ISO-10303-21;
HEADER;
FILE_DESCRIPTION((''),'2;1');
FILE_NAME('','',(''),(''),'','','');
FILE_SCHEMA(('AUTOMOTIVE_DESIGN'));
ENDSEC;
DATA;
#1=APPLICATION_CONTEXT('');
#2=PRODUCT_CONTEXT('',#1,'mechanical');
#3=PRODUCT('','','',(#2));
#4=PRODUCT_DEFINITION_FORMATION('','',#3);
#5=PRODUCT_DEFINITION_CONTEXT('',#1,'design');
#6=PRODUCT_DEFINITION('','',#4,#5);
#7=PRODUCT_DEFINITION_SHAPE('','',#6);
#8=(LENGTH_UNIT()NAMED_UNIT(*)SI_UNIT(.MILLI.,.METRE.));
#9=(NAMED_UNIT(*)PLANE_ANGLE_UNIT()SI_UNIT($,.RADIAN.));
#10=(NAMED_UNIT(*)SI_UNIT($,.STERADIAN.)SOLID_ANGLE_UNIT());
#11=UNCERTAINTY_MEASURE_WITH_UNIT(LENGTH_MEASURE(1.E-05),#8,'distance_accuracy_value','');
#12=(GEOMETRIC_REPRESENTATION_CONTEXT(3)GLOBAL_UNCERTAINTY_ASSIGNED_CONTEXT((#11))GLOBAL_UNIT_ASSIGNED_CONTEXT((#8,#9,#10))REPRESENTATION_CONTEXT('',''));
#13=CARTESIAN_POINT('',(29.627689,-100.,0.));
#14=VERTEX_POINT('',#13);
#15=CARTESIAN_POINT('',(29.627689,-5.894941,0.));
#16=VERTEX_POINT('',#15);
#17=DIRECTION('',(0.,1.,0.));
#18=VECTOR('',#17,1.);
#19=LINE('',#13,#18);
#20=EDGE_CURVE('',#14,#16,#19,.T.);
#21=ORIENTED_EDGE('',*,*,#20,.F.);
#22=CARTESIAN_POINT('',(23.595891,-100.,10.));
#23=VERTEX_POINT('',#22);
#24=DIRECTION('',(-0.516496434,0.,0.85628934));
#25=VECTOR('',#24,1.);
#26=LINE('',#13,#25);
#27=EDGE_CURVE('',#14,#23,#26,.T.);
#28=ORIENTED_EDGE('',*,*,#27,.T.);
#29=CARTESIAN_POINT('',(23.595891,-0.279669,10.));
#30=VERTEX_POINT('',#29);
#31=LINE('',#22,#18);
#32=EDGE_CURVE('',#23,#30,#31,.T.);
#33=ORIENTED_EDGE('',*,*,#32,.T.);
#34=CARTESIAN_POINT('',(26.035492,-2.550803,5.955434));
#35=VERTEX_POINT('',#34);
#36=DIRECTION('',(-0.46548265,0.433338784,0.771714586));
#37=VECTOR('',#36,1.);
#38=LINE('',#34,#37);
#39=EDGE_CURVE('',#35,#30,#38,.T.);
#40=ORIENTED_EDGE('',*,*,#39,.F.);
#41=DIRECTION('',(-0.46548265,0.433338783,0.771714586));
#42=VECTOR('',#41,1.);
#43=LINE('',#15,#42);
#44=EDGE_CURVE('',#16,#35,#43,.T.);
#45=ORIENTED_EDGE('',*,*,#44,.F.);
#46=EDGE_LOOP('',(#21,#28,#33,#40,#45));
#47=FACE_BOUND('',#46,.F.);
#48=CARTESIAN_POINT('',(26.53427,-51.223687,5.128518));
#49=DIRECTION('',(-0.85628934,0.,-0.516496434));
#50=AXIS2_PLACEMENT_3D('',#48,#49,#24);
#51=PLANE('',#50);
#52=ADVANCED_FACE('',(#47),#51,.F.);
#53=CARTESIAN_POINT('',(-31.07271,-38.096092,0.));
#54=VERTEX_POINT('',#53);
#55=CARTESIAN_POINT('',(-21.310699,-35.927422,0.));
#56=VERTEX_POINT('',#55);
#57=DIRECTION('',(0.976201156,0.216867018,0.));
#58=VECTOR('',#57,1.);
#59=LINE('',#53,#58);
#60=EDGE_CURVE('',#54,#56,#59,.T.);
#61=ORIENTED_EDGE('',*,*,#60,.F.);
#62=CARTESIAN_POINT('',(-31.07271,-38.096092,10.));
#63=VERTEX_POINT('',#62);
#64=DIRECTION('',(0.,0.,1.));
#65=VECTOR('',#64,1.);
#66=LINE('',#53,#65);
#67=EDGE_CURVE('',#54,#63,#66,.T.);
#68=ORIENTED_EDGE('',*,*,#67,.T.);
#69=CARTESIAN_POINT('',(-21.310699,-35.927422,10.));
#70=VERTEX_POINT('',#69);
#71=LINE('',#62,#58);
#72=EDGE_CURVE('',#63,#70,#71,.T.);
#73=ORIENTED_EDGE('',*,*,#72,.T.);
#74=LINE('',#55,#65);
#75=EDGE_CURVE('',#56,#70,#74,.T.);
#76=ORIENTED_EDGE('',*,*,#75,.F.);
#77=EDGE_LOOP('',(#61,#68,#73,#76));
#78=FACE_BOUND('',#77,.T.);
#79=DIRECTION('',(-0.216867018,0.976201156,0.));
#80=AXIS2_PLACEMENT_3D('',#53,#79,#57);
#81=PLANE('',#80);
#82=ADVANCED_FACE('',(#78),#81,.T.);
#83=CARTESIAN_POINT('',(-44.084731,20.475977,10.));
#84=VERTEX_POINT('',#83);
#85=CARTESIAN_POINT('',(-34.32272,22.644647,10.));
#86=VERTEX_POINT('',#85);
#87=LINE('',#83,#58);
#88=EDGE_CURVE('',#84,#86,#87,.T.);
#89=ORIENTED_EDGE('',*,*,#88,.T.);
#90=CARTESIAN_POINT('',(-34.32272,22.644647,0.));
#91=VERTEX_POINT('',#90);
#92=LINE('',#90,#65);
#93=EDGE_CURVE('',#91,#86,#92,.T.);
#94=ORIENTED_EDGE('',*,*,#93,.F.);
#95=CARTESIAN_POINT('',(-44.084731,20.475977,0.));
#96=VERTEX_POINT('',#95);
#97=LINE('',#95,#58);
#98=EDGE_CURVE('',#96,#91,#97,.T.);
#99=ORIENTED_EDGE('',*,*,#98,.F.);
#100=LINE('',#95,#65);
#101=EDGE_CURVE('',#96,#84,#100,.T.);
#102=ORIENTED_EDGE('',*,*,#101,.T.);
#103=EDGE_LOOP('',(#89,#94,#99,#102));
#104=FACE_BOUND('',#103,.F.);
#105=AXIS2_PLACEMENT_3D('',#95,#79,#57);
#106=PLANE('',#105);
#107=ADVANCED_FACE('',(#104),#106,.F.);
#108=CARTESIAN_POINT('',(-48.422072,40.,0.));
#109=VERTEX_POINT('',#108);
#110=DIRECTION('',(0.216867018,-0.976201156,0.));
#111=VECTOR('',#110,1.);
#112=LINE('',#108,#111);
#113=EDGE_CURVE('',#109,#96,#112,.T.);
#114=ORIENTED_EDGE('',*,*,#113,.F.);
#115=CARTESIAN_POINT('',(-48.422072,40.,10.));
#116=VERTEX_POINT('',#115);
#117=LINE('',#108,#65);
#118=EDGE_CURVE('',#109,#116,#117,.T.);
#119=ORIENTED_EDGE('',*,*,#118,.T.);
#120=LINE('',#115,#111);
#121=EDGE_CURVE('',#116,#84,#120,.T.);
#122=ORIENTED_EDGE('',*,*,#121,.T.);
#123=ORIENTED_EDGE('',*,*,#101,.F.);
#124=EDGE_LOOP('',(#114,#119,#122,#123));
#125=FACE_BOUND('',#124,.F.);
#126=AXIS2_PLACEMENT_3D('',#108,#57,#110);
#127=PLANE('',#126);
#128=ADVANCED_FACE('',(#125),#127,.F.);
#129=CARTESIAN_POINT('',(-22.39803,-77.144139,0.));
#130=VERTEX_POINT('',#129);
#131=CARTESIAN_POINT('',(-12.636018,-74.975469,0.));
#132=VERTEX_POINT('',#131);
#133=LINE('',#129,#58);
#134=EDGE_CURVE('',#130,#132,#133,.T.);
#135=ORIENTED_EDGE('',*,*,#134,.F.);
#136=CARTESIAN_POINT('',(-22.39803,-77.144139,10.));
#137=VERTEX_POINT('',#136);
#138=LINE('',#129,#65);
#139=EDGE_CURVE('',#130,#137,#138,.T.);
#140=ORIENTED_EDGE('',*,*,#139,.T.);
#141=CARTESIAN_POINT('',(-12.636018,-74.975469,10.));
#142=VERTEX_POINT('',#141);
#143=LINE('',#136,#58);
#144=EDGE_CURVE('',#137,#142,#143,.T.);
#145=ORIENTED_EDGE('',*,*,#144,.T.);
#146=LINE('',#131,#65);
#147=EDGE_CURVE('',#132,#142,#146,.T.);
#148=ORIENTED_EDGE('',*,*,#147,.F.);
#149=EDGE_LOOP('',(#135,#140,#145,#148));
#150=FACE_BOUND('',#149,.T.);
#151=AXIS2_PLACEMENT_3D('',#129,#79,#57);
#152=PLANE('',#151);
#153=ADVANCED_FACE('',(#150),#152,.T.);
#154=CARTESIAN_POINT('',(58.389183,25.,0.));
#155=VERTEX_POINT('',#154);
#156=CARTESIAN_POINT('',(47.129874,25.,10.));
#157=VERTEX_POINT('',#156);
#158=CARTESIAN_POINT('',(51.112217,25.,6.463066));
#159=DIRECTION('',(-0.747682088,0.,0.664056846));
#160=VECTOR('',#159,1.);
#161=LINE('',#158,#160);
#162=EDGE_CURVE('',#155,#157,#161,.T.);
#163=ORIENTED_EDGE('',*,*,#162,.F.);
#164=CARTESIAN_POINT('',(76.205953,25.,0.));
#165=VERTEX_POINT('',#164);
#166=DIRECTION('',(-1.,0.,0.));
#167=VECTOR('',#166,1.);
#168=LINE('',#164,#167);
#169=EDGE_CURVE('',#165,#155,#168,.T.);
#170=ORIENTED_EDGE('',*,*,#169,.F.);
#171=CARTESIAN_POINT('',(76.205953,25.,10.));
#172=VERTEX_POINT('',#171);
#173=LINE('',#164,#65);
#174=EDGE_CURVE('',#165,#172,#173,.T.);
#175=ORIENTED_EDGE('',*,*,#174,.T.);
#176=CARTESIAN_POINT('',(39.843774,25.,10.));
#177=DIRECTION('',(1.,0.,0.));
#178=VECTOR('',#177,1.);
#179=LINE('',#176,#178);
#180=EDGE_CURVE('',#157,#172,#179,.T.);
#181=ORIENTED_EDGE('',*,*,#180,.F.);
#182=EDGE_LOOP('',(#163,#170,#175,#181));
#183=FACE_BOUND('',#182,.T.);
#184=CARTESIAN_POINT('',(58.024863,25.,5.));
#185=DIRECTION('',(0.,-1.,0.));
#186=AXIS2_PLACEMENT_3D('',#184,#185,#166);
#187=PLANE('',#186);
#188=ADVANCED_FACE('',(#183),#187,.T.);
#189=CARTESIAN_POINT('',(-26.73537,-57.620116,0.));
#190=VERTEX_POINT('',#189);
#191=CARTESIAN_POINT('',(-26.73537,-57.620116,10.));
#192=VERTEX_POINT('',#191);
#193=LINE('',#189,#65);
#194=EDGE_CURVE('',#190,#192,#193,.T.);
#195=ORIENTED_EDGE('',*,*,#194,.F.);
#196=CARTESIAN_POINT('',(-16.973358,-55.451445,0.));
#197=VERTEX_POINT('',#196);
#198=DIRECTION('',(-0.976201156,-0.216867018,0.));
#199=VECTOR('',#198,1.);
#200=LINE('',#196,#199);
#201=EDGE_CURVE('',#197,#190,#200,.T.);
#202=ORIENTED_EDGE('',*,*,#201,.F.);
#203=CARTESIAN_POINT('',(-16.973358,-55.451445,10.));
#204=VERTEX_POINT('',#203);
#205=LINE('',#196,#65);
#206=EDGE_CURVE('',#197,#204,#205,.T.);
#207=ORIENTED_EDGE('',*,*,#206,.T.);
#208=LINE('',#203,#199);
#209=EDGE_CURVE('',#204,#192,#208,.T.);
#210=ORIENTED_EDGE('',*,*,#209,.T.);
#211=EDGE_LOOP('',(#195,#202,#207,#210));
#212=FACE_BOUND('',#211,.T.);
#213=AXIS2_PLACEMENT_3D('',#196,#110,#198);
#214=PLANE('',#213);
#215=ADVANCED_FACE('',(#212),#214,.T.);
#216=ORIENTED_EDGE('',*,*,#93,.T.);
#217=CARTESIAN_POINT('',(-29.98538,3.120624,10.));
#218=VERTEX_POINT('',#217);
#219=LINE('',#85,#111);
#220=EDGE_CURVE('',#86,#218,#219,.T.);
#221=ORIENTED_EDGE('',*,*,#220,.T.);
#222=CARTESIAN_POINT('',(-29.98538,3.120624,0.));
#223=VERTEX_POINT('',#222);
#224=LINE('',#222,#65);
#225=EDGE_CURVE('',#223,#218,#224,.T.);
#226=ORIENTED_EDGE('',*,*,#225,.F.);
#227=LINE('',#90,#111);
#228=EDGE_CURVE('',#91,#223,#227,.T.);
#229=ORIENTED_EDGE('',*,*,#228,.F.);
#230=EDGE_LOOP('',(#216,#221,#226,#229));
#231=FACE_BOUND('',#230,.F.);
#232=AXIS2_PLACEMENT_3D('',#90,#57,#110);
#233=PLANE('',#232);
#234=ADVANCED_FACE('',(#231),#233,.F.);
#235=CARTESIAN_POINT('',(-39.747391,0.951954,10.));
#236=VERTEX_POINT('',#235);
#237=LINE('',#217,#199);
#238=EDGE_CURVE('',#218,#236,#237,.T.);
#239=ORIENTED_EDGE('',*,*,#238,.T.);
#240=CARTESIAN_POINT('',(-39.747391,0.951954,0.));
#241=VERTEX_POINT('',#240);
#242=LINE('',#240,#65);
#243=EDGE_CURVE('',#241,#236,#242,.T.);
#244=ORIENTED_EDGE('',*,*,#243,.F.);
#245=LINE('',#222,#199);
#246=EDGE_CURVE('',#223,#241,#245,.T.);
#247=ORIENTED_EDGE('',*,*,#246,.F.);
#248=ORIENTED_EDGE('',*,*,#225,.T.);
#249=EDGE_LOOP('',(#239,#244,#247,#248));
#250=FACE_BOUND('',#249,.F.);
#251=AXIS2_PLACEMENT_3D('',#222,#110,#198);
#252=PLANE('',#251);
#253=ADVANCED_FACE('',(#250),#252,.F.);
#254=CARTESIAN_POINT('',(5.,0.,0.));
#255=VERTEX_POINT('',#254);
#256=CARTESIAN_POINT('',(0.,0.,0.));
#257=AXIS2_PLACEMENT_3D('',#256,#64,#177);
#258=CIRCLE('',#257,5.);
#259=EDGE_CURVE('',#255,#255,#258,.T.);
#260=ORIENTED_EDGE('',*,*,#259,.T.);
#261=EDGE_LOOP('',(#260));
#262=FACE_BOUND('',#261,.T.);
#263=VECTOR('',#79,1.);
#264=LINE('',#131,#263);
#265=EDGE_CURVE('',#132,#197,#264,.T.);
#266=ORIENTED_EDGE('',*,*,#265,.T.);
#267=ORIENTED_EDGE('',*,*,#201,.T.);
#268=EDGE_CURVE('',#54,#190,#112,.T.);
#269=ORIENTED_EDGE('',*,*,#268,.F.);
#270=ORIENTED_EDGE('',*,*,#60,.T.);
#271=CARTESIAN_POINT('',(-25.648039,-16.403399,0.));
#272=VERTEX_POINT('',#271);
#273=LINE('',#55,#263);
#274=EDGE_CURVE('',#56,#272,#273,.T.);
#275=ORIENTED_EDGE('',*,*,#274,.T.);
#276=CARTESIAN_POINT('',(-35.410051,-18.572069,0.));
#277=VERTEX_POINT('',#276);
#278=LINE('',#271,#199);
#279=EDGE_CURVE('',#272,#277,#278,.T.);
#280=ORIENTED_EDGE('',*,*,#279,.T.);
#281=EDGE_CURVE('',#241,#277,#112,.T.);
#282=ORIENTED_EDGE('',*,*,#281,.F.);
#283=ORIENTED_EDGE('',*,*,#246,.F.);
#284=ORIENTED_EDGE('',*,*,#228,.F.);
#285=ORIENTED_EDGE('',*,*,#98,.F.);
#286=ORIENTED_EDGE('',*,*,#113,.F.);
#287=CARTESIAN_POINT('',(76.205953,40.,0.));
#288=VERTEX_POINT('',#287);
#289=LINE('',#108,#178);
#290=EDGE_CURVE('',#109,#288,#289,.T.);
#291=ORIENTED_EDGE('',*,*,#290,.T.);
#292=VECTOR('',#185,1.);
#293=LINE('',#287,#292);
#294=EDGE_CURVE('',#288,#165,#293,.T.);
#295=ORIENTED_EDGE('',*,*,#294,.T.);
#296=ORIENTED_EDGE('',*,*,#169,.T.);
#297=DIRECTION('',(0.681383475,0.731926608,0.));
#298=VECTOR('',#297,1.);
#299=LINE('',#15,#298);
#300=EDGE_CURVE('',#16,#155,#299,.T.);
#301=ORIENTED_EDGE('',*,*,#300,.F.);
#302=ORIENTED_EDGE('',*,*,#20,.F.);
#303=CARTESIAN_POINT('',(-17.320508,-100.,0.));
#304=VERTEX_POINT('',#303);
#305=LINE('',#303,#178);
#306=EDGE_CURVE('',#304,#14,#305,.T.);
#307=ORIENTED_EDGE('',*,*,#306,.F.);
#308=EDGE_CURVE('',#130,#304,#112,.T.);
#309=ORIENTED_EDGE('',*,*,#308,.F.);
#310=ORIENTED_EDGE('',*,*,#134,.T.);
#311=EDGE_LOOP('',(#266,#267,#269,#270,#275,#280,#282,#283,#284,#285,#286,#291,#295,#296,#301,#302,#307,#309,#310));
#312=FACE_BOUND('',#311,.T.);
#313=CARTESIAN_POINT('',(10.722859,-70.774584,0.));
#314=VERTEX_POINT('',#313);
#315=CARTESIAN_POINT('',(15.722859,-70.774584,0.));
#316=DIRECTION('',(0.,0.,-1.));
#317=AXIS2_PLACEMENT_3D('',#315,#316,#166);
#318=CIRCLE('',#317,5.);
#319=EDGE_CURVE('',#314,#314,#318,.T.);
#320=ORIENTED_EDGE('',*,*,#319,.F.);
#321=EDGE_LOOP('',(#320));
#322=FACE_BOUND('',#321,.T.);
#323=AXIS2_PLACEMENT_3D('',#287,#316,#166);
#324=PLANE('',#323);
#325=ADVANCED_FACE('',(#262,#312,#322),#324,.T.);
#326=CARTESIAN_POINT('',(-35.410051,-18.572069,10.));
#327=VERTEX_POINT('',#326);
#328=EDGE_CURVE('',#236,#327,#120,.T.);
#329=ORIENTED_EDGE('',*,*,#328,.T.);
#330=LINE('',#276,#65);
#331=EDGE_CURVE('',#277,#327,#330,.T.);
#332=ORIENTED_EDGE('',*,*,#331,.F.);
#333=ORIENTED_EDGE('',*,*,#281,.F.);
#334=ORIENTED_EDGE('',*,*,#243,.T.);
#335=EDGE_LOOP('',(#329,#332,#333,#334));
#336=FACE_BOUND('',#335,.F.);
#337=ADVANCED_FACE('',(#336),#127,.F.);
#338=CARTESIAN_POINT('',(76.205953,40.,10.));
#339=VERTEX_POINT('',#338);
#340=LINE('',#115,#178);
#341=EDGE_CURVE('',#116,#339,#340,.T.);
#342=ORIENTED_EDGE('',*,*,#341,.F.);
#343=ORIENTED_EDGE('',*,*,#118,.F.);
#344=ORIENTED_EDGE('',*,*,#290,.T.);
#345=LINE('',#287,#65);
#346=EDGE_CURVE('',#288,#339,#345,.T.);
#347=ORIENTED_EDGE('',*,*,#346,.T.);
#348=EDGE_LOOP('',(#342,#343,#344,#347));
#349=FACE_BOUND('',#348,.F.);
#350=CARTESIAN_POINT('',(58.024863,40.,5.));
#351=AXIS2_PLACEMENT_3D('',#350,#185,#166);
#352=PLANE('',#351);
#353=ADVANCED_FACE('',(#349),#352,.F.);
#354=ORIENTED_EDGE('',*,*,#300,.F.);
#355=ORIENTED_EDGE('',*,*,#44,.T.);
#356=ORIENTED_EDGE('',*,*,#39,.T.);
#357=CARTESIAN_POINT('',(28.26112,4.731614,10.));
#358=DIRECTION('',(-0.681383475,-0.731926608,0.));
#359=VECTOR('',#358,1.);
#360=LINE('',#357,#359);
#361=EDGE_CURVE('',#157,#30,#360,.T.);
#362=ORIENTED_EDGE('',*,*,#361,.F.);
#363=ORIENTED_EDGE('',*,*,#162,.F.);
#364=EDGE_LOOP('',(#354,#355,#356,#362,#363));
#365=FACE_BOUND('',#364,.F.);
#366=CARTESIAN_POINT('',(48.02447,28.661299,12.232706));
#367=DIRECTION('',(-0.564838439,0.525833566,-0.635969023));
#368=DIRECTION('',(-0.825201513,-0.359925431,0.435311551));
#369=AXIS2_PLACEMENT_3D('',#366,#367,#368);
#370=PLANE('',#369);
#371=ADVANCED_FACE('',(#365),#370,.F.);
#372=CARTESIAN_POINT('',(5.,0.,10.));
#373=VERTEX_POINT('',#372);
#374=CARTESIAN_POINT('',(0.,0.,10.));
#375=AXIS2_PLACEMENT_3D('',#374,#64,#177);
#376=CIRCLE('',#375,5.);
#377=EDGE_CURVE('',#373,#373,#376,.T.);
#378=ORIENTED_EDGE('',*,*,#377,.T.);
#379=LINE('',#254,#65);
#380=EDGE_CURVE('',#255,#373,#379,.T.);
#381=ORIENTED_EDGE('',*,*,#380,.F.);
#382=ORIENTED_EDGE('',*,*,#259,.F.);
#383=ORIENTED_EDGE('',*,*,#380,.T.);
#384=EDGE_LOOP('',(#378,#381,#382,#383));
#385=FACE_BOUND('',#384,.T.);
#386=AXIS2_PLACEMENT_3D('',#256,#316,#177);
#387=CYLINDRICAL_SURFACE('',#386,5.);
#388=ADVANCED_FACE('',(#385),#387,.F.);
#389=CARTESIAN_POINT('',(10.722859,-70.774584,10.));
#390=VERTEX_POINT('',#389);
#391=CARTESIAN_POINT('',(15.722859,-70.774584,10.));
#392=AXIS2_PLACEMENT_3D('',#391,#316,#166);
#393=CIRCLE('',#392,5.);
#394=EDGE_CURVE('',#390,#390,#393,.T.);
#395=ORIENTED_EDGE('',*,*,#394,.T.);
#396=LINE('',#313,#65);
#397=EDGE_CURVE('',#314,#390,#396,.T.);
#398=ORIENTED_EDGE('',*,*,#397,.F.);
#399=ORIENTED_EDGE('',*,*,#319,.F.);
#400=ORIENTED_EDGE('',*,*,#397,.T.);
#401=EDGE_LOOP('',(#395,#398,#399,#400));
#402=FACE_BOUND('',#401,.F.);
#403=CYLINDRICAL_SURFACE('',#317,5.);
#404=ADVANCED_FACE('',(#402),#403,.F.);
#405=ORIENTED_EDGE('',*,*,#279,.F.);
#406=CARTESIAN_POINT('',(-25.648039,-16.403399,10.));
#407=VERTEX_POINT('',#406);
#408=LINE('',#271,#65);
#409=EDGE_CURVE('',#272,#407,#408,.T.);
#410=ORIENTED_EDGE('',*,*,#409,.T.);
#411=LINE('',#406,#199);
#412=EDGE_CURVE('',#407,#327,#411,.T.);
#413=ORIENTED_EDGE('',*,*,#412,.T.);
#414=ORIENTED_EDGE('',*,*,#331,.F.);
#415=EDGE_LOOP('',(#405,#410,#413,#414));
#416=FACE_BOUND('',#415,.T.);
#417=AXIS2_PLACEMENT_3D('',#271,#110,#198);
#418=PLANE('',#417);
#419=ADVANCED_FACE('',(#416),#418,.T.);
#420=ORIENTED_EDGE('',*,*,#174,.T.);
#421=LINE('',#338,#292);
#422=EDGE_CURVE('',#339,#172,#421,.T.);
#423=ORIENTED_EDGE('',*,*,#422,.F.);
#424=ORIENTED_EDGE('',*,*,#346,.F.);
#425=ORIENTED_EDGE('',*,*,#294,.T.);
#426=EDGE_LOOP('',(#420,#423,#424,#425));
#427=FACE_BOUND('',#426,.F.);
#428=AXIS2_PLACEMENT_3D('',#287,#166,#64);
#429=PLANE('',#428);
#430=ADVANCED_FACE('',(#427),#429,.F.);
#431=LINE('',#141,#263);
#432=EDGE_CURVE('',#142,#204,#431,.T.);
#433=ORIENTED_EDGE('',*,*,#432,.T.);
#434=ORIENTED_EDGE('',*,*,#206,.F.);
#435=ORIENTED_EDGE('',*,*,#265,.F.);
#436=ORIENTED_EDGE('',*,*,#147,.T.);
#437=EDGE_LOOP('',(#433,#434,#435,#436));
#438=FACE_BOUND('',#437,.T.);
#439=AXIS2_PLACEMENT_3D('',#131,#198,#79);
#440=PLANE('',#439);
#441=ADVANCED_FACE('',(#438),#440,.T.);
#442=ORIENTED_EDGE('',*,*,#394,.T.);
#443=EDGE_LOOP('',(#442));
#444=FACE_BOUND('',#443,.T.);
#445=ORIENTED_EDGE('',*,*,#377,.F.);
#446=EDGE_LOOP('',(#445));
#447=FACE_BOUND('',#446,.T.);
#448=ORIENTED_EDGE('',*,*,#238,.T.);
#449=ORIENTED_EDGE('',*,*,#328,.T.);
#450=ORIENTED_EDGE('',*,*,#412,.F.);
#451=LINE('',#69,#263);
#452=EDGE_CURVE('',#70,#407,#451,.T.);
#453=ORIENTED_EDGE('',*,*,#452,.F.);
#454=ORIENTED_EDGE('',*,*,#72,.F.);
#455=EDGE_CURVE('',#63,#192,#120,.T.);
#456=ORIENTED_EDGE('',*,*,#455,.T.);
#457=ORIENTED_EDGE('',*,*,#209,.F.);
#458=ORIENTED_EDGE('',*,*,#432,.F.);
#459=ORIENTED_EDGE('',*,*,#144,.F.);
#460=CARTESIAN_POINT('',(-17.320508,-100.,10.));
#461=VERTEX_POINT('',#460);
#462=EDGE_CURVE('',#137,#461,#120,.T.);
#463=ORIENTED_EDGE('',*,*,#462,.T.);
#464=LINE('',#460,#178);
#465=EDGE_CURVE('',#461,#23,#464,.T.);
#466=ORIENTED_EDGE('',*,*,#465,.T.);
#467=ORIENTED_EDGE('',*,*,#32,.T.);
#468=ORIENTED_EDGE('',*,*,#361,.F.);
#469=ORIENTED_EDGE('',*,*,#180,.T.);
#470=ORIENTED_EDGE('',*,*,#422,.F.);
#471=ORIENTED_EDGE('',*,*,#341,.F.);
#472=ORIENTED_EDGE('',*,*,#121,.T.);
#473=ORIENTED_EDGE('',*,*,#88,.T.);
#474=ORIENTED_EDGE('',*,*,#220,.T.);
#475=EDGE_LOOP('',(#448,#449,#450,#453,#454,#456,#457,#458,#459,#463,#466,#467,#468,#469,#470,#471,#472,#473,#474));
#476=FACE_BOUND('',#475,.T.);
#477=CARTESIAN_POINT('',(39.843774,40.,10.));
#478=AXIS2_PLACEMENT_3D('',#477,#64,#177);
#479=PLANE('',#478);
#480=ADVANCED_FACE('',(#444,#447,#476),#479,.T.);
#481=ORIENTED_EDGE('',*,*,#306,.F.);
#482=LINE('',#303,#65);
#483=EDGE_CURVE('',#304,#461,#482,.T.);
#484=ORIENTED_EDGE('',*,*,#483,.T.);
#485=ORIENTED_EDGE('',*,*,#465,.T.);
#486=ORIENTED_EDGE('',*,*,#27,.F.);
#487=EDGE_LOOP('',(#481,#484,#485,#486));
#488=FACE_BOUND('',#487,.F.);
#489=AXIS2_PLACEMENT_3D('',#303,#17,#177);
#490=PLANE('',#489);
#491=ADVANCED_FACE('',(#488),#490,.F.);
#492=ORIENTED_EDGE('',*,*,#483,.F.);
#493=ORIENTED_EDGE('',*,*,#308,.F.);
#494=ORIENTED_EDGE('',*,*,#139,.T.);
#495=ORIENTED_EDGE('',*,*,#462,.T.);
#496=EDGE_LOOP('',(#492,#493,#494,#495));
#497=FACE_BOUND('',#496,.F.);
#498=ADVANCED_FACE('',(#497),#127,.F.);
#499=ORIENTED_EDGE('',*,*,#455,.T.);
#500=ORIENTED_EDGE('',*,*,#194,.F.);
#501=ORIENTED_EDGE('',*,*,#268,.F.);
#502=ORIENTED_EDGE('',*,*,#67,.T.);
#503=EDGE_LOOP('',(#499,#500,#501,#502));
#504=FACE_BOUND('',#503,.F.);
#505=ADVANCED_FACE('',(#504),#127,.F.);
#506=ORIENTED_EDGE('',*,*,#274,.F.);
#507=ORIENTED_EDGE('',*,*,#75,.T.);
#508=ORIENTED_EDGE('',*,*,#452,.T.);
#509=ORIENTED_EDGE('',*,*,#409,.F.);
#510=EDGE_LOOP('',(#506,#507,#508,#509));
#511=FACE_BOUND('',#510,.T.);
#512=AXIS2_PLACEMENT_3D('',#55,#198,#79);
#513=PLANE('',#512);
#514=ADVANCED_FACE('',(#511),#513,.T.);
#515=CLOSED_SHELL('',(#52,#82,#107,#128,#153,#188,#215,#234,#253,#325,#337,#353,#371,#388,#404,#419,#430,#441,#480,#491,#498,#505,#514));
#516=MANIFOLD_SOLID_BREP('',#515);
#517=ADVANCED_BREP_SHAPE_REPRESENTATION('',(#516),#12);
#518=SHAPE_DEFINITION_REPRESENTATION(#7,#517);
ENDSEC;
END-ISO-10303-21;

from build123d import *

# Parameters (mm, degrees)
SKETCH1_R           = 5
BOSS_EXTRUDE1_DEPTH = 10
CUT_EXTRUDE1_DEPTH  = 10
CUT_EXTRUDE2_DEPTH  = 10
CUT_EXTRUDE3_DEPTH  = 10
BOSS_EXTRUDE2_DEPTH = 15
SKETCH6_R           = 5
CUT_EXTRUDE4_DEPTH  = 10


with BuildPart() as part:
    # Sketch1 → Boss-Extrude1 (new body)
    with BuildSketch(Plane.XY):
        Polygon((-48.4220718, 40), (-17.320508076, -100), (29.627689013, -100), (29.627689013, -5.894941242), (72.353358785, 40), (54.770735732, 40), align=None)
        Circle(SKETCH1_R, mode=Mode.SUBTRACT)
    extrude(amount=BOSS_EXTRUDE1_DEPTH)

    # Sketch2 → Cut-Extrude1 (cut)
    with BuildSketch(Plane(origin=(0, 0, 0), x_dir=(-1, 0, 0), z_dir=(0, 0, -1))):
        Polygon((44.084731449, 20.475976883), (34.322719891, 22.644647058), (29.98537954, 3.120623941), (39.747391098, 0.951953766), align=None)
        Polygon((25.648039189, -16.403399176), (35.410050747, -18.572069352), (31.072710396, -38.096092469), (21.310698838, -35.927422293), align=None)
        Polygon((16.973358487, -55.45144541), (26.735370045, -57.620115586), (22.398029694, -77.144138703), (12.636018136, -74.975468528), align=None)
    extrude(amount=-CUT_EXTRUDE1_DEPTH, mode=Mode.SUBTRACT)

    # Sketch3 → Cut-Extrude2 (cut)
    with BuildSketch(Plane(origin=(11.20335331, -10.42970665, 12.614201102), x_dir=(-0.825201513, -0.359925431, 0.435311551), z_dir=(-0.564838439, 0.525833566, -0.635969023))):
        Polygon((-74.103118428, 30.827331886), (-22.327074543, -4.543132752), (-17.973959037, 1.829050982), (-4.444119228, 21.634320346), (-66.914441787, 64.310511288), (-84.797397101, 38.133058189), align=None)
    extrude(amount=-CUT_EXTRUDE2_DEPTH, mode=Mode.SUBTRACT)

    # Sketch4 → Cut-Extrude3 (cut)
    with BuildSketch(Plane(origin=(21.723952902, 0, 13.103449585), x_dir=(-0.516496434, 0, 0.85628934), z_dir=(-0.85628934, 0, -0.516496434))):
        Polygon((-3.624300151, -0.279668559), (-15.302595712, -5.894941242), (-15.302595712, -100), (-3.624300151, -100), align=None)
    extrude(amount=-CUT_EXTRUDE3_DEPTH, mode=Mode.SUBTRACT)

    # Sketch5 → Boss-Extrude2 (add)
    with BuildSketch(Plane(origin=(0, 40, 0), x_dir=(1, 0, 0), z_dir=(0, 1, 0))):
        Polygon((72.353358785, 0), (76.20595319, 0), (76.20595319, -10), (61.094050297, -10), (39.843773505, -10), (39.843773505, 0), (61.094050297, 0), align=None)
    extrude(amount=-BOSS_EXTRUDE2_DEPTH)

    # Sketch6 → Cut-Extrude4 (cut)
    with BuildSketch(Plane(origin=(0, 0, 0), x_dir=(-1, 0, 0), z_dir=(0, 0, -1))):
        with Locations((-15.722858772, -70.7745838)):
            Circle(SKETCH6_R)
    extrude(amount=-CUT_EXTRUDE4_DEPTH, mode=Mode.SUBTRACT)


solid = part.part
